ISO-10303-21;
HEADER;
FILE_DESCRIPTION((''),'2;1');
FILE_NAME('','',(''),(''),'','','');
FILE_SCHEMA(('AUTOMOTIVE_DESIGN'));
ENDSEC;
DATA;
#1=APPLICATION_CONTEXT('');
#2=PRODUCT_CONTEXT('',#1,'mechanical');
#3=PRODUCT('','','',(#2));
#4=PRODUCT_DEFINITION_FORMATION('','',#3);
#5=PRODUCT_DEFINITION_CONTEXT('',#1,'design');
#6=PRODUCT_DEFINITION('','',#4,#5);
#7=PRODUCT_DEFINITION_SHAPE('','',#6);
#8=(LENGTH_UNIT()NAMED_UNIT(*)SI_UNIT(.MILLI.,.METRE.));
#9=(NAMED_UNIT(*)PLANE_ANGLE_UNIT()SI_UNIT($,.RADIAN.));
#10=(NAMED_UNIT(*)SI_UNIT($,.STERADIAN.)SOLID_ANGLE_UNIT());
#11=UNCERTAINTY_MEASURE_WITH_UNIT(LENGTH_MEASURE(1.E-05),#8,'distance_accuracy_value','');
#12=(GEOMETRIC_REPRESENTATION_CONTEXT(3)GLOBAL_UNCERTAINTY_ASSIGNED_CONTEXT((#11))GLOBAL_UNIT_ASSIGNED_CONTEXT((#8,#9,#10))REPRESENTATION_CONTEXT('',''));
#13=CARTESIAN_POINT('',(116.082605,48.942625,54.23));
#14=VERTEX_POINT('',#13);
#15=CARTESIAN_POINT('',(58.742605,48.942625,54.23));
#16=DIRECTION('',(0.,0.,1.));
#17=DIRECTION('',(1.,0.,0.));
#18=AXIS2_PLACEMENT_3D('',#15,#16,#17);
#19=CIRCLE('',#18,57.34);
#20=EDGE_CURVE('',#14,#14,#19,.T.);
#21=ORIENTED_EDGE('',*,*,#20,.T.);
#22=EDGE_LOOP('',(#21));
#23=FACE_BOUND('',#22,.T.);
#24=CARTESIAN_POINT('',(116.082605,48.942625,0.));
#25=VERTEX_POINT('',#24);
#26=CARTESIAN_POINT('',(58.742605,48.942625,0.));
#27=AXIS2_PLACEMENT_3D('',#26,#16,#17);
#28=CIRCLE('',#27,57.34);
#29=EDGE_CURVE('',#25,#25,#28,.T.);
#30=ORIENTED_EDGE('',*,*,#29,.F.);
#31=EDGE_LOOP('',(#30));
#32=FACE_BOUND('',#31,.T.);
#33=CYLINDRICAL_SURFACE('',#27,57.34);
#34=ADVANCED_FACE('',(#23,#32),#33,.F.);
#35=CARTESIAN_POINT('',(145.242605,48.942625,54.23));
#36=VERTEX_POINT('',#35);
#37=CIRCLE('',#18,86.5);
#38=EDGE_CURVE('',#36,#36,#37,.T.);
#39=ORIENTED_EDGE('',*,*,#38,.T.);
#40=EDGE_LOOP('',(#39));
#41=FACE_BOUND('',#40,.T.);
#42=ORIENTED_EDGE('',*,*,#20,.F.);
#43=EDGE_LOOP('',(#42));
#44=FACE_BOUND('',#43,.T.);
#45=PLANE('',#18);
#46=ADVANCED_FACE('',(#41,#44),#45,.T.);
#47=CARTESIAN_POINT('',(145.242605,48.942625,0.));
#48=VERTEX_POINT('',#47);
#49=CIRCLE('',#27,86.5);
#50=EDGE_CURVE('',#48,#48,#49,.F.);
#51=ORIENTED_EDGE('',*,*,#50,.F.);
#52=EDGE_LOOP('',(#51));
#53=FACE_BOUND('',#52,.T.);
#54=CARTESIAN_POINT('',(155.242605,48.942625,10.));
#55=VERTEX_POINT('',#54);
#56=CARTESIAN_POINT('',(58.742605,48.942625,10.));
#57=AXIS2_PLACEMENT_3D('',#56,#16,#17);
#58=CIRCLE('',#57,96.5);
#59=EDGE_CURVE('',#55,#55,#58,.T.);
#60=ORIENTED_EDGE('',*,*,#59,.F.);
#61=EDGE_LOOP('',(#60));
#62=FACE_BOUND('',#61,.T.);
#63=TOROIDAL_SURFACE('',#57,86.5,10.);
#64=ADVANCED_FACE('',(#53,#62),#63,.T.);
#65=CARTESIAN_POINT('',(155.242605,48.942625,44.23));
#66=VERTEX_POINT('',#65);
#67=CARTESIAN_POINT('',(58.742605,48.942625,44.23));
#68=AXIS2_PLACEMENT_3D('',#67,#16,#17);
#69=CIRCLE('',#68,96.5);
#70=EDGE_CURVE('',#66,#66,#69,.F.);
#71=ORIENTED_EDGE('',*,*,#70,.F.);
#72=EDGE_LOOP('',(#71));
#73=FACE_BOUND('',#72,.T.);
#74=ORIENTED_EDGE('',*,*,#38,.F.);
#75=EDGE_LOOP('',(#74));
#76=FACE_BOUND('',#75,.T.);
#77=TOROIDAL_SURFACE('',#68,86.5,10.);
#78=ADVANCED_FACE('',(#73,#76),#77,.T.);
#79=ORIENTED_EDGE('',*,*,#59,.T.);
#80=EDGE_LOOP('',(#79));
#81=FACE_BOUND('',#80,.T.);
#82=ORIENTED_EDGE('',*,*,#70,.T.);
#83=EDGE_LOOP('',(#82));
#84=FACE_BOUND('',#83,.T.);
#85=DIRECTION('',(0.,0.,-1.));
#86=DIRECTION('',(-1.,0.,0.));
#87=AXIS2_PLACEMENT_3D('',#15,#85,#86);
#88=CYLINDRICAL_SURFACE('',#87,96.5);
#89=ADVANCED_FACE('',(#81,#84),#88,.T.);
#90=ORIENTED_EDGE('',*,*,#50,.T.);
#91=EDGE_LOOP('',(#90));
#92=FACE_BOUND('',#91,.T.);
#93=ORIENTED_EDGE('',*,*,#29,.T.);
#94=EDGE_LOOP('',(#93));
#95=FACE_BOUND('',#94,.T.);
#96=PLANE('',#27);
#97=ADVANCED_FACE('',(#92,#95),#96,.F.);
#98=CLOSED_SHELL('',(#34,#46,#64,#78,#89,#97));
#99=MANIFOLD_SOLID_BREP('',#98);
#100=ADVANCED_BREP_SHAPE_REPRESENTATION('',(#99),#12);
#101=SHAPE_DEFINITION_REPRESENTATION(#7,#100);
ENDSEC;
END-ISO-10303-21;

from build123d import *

# Parameters (mm, degrees)
SKETCH_3_R          = 96.5
EXTRUDE_1_DEPTH     = 54.23
FILLET_1_R          = 10
SKETCH_4_R          = 57.34
CUT_EXTRUDE_1_DEPTH = 54.23


with BuildPart() as part:
    # 草图3 → 凸台-拉伸1 (new body)
    with BuildSketch(Plane.XY):
        with Locations((58.742605219, 48.942624637)):
            Circle(SKETCH_3_R)
    extrude(amount=EXTRUDE_1_DEPTH)

    # 圆角1
    fillet_1_edges = [part.edges().sort_by_distance(p)[0] for p in [
        (-37.757394781, 48.942624637, 0),
        (-37.757394781, 48.942624637, 54.23),
    ]]
    fillet(fillet_1_edges, radius=FILLET_1_R)

    # 草图4 → 切除-拉伸1 (cut)
    with BuildSketch(Plane.XY.offset(54.23)):
        with Locations((58.742605219, 48.942624637)):
            Circle(SKETCH_4_R)
    extrude(amount=-CUT_EXTRUDE_1_DEPTH, mode=Mode.SUBTRACT)


solid = part.part
